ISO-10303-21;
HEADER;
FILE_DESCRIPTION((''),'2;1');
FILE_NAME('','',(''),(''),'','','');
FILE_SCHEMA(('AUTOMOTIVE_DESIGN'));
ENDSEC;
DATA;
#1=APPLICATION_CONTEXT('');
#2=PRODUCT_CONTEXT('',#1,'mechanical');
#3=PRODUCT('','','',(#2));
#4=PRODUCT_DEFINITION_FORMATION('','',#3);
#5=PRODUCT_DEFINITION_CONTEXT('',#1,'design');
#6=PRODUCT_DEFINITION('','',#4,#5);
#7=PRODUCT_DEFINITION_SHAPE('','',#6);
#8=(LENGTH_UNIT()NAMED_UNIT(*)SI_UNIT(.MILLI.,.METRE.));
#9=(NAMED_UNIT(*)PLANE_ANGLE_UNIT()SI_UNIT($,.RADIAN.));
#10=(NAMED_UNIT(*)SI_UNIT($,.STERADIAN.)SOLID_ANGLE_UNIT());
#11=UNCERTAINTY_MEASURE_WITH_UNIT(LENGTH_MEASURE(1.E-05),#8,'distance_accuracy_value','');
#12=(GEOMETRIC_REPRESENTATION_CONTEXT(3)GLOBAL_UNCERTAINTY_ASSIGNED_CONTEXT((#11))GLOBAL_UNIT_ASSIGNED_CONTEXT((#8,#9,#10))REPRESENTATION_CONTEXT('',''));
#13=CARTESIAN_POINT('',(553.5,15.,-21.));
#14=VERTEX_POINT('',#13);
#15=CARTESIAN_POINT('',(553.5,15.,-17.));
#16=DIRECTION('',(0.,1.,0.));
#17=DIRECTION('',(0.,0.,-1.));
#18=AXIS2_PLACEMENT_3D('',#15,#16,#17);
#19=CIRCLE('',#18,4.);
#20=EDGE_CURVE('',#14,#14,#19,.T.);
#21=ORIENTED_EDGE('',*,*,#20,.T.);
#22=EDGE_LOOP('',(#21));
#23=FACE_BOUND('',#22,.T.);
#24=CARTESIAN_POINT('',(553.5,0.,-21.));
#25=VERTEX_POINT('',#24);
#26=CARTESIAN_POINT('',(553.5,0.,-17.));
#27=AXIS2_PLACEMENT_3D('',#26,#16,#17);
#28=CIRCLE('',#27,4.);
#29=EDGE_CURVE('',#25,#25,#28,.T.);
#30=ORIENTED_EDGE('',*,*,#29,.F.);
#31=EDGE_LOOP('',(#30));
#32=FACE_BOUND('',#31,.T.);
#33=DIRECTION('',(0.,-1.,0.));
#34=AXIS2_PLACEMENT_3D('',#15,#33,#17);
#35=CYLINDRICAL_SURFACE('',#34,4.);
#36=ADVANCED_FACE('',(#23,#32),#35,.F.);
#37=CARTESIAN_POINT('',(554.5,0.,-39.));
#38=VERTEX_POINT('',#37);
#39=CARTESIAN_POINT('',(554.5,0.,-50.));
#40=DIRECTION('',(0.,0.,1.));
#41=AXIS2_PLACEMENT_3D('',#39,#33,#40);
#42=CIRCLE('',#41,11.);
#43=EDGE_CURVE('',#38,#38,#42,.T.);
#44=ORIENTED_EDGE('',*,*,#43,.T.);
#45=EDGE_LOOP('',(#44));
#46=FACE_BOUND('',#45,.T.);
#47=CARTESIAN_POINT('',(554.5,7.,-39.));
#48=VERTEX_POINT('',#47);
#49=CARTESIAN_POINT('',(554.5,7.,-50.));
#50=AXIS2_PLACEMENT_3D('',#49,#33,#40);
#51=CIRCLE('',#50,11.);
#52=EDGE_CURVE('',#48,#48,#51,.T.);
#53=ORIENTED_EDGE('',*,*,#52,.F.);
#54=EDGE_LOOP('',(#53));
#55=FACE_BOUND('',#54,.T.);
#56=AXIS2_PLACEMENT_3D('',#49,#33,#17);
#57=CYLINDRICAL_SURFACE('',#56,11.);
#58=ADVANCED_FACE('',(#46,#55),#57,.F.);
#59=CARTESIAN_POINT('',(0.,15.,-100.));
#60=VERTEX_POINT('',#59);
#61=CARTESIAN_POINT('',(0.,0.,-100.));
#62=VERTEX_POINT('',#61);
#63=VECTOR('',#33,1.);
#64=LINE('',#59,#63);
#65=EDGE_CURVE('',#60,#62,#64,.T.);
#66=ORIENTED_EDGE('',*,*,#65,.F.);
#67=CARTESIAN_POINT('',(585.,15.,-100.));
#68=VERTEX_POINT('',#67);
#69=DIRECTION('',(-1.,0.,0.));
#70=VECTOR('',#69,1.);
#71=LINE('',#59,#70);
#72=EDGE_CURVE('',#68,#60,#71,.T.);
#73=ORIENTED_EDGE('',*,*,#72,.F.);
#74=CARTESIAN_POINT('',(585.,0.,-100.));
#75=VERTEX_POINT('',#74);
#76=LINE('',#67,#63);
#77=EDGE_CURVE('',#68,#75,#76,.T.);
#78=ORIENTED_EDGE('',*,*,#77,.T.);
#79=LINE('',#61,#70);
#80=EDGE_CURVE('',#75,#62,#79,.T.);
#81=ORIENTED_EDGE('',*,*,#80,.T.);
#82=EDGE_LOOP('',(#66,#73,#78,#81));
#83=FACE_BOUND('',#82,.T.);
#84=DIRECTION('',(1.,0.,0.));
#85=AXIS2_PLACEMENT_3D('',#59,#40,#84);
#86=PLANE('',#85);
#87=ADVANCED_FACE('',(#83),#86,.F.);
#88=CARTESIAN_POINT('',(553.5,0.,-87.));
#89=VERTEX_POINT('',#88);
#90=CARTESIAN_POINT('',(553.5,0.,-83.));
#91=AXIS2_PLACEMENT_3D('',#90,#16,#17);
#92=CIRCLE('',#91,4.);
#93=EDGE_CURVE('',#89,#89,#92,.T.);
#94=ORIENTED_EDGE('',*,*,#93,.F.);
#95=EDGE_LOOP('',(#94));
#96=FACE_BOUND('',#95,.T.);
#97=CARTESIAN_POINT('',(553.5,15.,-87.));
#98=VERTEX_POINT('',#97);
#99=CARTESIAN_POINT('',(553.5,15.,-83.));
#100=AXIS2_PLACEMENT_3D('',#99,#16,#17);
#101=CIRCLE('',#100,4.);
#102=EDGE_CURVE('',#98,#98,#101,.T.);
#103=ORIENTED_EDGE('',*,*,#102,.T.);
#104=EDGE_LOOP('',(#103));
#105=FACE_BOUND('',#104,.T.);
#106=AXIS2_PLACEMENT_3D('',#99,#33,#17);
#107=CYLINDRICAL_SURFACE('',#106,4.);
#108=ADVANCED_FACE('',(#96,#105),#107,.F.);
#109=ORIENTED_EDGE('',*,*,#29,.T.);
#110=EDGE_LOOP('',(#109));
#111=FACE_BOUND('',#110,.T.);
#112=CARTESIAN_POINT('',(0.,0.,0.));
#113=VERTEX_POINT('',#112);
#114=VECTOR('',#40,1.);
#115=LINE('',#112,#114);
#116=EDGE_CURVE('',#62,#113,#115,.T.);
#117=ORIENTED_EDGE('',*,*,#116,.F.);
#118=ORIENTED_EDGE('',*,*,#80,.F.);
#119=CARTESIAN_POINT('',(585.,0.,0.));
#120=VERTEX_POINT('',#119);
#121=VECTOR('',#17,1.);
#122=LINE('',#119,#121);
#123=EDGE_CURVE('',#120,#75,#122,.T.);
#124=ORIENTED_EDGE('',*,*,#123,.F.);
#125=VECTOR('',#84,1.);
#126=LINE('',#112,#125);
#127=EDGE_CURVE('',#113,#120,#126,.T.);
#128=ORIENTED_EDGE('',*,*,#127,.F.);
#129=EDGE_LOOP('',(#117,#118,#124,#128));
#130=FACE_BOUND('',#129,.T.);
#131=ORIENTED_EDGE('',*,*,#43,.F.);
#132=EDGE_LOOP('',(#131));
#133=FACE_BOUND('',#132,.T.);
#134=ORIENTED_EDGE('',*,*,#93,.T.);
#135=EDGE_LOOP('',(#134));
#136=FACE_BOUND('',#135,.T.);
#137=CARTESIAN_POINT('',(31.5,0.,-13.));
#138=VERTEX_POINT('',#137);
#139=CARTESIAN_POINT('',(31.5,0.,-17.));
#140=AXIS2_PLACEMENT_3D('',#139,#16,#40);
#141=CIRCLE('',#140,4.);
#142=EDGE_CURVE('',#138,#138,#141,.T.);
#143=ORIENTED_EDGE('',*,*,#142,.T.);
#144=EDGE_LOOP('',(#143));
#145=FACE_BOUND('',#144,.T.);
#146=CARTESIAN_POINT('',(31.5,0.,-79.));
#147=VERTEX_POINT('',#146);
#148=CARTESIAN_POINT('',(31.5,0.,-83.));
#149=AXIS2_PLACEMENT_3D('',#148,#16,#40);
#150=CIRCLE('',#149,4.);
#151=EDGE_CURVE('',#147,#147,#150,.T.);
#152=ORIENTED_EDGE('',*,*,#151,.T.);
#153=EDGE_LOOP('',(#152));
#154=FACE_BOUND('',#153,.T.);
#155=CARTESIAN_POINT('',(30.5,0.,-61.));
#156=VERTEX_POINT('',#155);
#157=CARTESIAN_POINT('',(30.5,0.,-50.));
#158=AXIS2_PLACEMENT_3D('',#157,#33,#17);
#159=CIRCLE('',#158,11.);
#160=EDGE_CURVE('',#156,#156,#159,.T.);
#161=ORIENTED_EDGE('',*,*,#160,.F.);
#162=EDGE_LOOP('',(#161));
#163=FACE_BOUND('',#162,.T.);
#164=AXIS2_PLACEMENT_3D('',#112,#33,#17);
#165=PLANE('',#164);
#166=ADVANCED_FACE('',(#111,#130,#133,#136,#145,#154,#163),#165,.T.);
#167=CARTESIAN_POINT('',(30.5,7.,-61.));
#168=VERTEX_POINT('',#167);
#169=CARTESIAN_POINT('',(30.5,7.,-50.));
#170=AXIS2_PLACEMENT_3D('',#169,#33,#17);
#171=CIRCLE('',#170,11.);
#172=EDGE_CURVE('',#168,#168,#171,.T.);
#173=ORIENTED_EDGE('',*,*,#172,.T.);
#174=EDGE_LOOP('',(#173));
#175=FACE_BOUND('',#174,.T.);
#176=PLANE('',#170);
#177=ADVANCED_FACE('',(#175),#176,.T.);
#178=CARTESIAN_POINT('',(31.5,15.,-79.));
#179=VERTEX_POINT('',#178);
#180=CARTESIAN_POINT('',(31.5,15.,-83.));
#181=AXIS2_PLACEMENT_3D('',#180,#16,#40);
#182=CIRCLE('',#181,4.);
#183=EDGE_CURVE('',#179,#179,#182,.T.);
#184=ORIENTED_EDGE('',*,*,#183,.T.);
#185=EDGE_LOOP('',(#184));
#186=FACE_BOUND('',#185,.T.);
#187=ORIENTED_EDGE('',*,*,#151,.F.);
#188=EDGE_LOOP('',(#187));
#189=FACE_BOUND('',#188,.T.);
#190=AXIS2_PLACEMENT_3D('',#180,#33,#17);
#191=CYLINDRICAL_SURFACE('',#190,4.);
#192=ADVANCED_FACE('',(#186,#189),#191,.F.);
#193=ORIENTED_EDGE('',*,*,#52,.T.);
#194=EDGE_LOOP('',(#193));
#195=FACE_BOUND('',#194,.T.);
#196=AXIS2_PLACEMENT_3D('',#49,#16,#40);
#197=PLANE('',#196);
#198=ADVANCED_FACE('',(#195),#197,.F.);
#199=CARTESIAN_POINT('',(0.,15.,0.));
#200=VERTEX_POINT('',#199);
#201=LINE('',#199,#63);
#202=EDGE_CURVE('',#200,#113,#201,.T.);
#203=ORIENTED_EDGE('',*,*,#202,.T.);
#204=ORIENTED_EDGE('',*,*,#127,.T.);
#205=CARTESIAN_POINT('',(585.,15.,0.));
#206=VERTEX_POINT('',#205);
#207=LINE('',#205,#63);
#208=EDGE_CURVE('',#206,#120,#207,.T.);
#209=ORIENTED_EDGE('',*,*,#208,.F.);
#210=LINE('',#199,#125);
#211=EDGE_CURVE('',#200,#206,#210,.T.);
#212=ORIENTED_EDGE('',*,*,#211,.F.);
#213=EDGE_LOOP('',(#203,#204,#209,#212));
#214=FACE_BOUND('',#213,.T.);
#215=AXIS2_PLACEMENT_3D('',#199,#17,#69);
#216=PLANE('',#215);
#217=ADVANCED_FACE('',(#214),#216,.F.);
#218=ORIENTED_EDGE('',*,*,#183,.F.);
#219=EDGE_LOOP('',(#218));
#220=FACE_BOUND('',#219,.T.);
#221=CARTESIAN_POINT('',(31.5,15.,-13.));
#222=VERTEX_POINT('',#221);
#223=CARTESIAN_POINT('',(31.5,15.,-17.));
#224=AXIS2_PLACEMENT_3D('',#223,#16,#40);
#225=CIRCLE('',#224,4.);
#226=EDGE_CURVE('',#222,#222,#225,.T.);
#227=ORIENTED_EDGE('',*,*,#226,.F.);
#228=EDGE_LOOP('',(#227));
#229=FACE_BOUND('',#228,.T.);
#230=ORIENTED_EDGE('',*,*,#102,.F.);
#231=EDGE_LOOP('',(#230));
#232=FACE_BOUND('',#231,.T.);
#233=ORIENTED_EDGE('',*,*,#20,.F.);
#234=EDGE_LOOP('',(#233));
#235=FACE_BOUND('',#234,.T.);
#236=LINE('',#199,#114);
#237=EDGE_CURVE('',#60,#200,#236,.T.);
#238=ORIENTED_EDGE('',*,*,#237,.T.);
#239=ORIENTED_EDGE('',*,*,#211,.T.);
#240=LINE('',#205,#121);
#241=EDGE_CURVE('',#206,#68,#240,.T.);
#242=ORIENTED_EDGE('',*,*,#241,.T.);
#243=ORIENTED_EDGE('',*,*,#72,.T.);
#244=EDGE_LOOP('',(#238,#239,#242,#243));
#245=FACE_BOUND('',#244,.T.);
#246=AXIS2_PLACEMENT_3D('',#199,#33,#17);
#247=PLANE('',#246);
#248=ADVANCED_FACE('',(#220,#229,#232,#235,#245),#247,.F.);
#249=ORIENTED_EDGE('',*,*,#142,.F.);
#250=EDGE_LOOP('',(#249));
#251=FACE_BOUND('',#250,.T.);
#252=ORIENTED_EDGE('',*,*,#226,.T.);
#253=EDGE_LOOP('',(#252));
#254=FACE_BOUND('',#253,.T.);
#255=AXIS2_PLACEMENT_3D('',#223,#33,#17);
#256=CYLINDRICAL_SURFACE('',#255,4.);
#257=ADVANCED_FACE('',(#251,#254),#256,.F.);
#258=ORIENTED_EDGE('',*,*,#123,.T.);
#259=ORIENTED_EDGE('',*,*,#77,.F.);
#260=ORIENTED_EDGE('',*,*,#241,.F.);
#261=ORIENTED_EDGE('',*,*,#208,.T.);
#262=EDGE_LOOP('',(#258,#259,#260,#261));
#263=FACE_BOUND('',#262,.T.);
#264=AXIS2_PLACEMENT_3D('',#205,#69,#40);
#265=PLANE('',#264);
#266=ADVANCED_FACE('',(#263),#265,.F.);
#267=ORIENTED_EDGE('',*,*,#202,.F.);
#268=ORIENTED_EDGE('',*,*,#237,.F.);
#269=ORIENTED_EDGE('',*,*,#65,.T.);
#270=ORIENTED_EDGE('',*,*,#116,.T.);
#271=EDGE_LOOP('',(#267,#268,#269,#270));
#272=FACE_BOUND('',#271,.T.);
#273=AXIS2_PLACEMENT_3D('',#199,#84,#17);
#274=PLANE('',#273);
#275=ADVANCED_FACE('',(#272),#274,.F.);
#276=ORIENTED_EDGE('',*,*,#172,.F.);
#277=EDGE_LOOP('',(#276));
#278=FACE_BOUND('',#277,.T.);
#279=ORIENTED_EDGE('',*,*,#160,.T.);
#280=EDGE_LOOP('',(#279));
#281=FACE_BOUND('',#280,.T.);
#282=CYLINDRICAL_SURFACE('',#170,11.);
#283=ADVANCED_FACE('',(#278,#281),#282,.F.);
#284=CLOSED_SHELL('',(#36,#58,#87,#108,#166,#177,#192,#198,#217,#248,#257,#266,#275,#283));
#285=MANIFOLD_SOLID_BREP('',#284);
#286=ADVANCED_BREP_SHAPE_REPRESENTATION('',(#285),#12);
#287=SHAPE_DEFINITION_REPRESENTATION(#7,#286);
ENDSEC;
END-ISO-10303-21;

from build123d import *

# Parameters (mm, degrees)
CROQUIS1_W              = 585
CROQUIS1_H              = 100
CROQUIS1_R              = 4
SALIENTE_EXTRUIR1_DEPTH = 15
CROQUIS2_R              = 11
CORTAR_EXTRUIR1_DEPTH   = 7


with BuildPart() as part:
    # Croquis1 → Saliente-Extruir1 (new body)
    with BuildSketch(Plane(origin=(0, 0, 0), x_dir=(1, 0, 0), z_dir=(0, 1, 0))):
        with Locations((292.5, 50)):
            Rectangle(CROQUIS1_W, CROQUIS1_H)
        with Locations(Location((31.5, 83, 0), (0, 0, 270))):
            Circle(CROQUIS1_R, mode=Mode.SUBTRACT)
        with Locations(Location((31.5, 17, 0), (0, 0, 270))):
            Circle(CROQUIS1_R, mode=Mode.SUBTRACT)
        with Locations(Location((553.5, 17, 0), (0, 0, 90))):
            Circle(CROQUIS1_R, mode=Mode.SUBTRACT)
        with Locations(Location((553.5, 83, 0), (0, 0, 90))):
            Circle(CROQUIS1_R, mode=Mode.SUBTRACT)
    extrude(amount=SALIENTE_EXTRUIR1_DEPTH)

    # Croquis2 → Cortar-Extruir1 (cut)
    with BuildSketch(Plane.XZ):
        with Locations(Location((30.5, -50, 0), (0, 0, 270))):
            Circle(CROQUIS2_R)
        with Locations(Location((554.5, -50, 0), (0, 0, 90))):
            Circle(CROQUIS2_R)
    extrude(amount=-CORTAR_EXTRUIR1_DEPTH, mode=Mode.SUBTRACT)


solid = part.part
